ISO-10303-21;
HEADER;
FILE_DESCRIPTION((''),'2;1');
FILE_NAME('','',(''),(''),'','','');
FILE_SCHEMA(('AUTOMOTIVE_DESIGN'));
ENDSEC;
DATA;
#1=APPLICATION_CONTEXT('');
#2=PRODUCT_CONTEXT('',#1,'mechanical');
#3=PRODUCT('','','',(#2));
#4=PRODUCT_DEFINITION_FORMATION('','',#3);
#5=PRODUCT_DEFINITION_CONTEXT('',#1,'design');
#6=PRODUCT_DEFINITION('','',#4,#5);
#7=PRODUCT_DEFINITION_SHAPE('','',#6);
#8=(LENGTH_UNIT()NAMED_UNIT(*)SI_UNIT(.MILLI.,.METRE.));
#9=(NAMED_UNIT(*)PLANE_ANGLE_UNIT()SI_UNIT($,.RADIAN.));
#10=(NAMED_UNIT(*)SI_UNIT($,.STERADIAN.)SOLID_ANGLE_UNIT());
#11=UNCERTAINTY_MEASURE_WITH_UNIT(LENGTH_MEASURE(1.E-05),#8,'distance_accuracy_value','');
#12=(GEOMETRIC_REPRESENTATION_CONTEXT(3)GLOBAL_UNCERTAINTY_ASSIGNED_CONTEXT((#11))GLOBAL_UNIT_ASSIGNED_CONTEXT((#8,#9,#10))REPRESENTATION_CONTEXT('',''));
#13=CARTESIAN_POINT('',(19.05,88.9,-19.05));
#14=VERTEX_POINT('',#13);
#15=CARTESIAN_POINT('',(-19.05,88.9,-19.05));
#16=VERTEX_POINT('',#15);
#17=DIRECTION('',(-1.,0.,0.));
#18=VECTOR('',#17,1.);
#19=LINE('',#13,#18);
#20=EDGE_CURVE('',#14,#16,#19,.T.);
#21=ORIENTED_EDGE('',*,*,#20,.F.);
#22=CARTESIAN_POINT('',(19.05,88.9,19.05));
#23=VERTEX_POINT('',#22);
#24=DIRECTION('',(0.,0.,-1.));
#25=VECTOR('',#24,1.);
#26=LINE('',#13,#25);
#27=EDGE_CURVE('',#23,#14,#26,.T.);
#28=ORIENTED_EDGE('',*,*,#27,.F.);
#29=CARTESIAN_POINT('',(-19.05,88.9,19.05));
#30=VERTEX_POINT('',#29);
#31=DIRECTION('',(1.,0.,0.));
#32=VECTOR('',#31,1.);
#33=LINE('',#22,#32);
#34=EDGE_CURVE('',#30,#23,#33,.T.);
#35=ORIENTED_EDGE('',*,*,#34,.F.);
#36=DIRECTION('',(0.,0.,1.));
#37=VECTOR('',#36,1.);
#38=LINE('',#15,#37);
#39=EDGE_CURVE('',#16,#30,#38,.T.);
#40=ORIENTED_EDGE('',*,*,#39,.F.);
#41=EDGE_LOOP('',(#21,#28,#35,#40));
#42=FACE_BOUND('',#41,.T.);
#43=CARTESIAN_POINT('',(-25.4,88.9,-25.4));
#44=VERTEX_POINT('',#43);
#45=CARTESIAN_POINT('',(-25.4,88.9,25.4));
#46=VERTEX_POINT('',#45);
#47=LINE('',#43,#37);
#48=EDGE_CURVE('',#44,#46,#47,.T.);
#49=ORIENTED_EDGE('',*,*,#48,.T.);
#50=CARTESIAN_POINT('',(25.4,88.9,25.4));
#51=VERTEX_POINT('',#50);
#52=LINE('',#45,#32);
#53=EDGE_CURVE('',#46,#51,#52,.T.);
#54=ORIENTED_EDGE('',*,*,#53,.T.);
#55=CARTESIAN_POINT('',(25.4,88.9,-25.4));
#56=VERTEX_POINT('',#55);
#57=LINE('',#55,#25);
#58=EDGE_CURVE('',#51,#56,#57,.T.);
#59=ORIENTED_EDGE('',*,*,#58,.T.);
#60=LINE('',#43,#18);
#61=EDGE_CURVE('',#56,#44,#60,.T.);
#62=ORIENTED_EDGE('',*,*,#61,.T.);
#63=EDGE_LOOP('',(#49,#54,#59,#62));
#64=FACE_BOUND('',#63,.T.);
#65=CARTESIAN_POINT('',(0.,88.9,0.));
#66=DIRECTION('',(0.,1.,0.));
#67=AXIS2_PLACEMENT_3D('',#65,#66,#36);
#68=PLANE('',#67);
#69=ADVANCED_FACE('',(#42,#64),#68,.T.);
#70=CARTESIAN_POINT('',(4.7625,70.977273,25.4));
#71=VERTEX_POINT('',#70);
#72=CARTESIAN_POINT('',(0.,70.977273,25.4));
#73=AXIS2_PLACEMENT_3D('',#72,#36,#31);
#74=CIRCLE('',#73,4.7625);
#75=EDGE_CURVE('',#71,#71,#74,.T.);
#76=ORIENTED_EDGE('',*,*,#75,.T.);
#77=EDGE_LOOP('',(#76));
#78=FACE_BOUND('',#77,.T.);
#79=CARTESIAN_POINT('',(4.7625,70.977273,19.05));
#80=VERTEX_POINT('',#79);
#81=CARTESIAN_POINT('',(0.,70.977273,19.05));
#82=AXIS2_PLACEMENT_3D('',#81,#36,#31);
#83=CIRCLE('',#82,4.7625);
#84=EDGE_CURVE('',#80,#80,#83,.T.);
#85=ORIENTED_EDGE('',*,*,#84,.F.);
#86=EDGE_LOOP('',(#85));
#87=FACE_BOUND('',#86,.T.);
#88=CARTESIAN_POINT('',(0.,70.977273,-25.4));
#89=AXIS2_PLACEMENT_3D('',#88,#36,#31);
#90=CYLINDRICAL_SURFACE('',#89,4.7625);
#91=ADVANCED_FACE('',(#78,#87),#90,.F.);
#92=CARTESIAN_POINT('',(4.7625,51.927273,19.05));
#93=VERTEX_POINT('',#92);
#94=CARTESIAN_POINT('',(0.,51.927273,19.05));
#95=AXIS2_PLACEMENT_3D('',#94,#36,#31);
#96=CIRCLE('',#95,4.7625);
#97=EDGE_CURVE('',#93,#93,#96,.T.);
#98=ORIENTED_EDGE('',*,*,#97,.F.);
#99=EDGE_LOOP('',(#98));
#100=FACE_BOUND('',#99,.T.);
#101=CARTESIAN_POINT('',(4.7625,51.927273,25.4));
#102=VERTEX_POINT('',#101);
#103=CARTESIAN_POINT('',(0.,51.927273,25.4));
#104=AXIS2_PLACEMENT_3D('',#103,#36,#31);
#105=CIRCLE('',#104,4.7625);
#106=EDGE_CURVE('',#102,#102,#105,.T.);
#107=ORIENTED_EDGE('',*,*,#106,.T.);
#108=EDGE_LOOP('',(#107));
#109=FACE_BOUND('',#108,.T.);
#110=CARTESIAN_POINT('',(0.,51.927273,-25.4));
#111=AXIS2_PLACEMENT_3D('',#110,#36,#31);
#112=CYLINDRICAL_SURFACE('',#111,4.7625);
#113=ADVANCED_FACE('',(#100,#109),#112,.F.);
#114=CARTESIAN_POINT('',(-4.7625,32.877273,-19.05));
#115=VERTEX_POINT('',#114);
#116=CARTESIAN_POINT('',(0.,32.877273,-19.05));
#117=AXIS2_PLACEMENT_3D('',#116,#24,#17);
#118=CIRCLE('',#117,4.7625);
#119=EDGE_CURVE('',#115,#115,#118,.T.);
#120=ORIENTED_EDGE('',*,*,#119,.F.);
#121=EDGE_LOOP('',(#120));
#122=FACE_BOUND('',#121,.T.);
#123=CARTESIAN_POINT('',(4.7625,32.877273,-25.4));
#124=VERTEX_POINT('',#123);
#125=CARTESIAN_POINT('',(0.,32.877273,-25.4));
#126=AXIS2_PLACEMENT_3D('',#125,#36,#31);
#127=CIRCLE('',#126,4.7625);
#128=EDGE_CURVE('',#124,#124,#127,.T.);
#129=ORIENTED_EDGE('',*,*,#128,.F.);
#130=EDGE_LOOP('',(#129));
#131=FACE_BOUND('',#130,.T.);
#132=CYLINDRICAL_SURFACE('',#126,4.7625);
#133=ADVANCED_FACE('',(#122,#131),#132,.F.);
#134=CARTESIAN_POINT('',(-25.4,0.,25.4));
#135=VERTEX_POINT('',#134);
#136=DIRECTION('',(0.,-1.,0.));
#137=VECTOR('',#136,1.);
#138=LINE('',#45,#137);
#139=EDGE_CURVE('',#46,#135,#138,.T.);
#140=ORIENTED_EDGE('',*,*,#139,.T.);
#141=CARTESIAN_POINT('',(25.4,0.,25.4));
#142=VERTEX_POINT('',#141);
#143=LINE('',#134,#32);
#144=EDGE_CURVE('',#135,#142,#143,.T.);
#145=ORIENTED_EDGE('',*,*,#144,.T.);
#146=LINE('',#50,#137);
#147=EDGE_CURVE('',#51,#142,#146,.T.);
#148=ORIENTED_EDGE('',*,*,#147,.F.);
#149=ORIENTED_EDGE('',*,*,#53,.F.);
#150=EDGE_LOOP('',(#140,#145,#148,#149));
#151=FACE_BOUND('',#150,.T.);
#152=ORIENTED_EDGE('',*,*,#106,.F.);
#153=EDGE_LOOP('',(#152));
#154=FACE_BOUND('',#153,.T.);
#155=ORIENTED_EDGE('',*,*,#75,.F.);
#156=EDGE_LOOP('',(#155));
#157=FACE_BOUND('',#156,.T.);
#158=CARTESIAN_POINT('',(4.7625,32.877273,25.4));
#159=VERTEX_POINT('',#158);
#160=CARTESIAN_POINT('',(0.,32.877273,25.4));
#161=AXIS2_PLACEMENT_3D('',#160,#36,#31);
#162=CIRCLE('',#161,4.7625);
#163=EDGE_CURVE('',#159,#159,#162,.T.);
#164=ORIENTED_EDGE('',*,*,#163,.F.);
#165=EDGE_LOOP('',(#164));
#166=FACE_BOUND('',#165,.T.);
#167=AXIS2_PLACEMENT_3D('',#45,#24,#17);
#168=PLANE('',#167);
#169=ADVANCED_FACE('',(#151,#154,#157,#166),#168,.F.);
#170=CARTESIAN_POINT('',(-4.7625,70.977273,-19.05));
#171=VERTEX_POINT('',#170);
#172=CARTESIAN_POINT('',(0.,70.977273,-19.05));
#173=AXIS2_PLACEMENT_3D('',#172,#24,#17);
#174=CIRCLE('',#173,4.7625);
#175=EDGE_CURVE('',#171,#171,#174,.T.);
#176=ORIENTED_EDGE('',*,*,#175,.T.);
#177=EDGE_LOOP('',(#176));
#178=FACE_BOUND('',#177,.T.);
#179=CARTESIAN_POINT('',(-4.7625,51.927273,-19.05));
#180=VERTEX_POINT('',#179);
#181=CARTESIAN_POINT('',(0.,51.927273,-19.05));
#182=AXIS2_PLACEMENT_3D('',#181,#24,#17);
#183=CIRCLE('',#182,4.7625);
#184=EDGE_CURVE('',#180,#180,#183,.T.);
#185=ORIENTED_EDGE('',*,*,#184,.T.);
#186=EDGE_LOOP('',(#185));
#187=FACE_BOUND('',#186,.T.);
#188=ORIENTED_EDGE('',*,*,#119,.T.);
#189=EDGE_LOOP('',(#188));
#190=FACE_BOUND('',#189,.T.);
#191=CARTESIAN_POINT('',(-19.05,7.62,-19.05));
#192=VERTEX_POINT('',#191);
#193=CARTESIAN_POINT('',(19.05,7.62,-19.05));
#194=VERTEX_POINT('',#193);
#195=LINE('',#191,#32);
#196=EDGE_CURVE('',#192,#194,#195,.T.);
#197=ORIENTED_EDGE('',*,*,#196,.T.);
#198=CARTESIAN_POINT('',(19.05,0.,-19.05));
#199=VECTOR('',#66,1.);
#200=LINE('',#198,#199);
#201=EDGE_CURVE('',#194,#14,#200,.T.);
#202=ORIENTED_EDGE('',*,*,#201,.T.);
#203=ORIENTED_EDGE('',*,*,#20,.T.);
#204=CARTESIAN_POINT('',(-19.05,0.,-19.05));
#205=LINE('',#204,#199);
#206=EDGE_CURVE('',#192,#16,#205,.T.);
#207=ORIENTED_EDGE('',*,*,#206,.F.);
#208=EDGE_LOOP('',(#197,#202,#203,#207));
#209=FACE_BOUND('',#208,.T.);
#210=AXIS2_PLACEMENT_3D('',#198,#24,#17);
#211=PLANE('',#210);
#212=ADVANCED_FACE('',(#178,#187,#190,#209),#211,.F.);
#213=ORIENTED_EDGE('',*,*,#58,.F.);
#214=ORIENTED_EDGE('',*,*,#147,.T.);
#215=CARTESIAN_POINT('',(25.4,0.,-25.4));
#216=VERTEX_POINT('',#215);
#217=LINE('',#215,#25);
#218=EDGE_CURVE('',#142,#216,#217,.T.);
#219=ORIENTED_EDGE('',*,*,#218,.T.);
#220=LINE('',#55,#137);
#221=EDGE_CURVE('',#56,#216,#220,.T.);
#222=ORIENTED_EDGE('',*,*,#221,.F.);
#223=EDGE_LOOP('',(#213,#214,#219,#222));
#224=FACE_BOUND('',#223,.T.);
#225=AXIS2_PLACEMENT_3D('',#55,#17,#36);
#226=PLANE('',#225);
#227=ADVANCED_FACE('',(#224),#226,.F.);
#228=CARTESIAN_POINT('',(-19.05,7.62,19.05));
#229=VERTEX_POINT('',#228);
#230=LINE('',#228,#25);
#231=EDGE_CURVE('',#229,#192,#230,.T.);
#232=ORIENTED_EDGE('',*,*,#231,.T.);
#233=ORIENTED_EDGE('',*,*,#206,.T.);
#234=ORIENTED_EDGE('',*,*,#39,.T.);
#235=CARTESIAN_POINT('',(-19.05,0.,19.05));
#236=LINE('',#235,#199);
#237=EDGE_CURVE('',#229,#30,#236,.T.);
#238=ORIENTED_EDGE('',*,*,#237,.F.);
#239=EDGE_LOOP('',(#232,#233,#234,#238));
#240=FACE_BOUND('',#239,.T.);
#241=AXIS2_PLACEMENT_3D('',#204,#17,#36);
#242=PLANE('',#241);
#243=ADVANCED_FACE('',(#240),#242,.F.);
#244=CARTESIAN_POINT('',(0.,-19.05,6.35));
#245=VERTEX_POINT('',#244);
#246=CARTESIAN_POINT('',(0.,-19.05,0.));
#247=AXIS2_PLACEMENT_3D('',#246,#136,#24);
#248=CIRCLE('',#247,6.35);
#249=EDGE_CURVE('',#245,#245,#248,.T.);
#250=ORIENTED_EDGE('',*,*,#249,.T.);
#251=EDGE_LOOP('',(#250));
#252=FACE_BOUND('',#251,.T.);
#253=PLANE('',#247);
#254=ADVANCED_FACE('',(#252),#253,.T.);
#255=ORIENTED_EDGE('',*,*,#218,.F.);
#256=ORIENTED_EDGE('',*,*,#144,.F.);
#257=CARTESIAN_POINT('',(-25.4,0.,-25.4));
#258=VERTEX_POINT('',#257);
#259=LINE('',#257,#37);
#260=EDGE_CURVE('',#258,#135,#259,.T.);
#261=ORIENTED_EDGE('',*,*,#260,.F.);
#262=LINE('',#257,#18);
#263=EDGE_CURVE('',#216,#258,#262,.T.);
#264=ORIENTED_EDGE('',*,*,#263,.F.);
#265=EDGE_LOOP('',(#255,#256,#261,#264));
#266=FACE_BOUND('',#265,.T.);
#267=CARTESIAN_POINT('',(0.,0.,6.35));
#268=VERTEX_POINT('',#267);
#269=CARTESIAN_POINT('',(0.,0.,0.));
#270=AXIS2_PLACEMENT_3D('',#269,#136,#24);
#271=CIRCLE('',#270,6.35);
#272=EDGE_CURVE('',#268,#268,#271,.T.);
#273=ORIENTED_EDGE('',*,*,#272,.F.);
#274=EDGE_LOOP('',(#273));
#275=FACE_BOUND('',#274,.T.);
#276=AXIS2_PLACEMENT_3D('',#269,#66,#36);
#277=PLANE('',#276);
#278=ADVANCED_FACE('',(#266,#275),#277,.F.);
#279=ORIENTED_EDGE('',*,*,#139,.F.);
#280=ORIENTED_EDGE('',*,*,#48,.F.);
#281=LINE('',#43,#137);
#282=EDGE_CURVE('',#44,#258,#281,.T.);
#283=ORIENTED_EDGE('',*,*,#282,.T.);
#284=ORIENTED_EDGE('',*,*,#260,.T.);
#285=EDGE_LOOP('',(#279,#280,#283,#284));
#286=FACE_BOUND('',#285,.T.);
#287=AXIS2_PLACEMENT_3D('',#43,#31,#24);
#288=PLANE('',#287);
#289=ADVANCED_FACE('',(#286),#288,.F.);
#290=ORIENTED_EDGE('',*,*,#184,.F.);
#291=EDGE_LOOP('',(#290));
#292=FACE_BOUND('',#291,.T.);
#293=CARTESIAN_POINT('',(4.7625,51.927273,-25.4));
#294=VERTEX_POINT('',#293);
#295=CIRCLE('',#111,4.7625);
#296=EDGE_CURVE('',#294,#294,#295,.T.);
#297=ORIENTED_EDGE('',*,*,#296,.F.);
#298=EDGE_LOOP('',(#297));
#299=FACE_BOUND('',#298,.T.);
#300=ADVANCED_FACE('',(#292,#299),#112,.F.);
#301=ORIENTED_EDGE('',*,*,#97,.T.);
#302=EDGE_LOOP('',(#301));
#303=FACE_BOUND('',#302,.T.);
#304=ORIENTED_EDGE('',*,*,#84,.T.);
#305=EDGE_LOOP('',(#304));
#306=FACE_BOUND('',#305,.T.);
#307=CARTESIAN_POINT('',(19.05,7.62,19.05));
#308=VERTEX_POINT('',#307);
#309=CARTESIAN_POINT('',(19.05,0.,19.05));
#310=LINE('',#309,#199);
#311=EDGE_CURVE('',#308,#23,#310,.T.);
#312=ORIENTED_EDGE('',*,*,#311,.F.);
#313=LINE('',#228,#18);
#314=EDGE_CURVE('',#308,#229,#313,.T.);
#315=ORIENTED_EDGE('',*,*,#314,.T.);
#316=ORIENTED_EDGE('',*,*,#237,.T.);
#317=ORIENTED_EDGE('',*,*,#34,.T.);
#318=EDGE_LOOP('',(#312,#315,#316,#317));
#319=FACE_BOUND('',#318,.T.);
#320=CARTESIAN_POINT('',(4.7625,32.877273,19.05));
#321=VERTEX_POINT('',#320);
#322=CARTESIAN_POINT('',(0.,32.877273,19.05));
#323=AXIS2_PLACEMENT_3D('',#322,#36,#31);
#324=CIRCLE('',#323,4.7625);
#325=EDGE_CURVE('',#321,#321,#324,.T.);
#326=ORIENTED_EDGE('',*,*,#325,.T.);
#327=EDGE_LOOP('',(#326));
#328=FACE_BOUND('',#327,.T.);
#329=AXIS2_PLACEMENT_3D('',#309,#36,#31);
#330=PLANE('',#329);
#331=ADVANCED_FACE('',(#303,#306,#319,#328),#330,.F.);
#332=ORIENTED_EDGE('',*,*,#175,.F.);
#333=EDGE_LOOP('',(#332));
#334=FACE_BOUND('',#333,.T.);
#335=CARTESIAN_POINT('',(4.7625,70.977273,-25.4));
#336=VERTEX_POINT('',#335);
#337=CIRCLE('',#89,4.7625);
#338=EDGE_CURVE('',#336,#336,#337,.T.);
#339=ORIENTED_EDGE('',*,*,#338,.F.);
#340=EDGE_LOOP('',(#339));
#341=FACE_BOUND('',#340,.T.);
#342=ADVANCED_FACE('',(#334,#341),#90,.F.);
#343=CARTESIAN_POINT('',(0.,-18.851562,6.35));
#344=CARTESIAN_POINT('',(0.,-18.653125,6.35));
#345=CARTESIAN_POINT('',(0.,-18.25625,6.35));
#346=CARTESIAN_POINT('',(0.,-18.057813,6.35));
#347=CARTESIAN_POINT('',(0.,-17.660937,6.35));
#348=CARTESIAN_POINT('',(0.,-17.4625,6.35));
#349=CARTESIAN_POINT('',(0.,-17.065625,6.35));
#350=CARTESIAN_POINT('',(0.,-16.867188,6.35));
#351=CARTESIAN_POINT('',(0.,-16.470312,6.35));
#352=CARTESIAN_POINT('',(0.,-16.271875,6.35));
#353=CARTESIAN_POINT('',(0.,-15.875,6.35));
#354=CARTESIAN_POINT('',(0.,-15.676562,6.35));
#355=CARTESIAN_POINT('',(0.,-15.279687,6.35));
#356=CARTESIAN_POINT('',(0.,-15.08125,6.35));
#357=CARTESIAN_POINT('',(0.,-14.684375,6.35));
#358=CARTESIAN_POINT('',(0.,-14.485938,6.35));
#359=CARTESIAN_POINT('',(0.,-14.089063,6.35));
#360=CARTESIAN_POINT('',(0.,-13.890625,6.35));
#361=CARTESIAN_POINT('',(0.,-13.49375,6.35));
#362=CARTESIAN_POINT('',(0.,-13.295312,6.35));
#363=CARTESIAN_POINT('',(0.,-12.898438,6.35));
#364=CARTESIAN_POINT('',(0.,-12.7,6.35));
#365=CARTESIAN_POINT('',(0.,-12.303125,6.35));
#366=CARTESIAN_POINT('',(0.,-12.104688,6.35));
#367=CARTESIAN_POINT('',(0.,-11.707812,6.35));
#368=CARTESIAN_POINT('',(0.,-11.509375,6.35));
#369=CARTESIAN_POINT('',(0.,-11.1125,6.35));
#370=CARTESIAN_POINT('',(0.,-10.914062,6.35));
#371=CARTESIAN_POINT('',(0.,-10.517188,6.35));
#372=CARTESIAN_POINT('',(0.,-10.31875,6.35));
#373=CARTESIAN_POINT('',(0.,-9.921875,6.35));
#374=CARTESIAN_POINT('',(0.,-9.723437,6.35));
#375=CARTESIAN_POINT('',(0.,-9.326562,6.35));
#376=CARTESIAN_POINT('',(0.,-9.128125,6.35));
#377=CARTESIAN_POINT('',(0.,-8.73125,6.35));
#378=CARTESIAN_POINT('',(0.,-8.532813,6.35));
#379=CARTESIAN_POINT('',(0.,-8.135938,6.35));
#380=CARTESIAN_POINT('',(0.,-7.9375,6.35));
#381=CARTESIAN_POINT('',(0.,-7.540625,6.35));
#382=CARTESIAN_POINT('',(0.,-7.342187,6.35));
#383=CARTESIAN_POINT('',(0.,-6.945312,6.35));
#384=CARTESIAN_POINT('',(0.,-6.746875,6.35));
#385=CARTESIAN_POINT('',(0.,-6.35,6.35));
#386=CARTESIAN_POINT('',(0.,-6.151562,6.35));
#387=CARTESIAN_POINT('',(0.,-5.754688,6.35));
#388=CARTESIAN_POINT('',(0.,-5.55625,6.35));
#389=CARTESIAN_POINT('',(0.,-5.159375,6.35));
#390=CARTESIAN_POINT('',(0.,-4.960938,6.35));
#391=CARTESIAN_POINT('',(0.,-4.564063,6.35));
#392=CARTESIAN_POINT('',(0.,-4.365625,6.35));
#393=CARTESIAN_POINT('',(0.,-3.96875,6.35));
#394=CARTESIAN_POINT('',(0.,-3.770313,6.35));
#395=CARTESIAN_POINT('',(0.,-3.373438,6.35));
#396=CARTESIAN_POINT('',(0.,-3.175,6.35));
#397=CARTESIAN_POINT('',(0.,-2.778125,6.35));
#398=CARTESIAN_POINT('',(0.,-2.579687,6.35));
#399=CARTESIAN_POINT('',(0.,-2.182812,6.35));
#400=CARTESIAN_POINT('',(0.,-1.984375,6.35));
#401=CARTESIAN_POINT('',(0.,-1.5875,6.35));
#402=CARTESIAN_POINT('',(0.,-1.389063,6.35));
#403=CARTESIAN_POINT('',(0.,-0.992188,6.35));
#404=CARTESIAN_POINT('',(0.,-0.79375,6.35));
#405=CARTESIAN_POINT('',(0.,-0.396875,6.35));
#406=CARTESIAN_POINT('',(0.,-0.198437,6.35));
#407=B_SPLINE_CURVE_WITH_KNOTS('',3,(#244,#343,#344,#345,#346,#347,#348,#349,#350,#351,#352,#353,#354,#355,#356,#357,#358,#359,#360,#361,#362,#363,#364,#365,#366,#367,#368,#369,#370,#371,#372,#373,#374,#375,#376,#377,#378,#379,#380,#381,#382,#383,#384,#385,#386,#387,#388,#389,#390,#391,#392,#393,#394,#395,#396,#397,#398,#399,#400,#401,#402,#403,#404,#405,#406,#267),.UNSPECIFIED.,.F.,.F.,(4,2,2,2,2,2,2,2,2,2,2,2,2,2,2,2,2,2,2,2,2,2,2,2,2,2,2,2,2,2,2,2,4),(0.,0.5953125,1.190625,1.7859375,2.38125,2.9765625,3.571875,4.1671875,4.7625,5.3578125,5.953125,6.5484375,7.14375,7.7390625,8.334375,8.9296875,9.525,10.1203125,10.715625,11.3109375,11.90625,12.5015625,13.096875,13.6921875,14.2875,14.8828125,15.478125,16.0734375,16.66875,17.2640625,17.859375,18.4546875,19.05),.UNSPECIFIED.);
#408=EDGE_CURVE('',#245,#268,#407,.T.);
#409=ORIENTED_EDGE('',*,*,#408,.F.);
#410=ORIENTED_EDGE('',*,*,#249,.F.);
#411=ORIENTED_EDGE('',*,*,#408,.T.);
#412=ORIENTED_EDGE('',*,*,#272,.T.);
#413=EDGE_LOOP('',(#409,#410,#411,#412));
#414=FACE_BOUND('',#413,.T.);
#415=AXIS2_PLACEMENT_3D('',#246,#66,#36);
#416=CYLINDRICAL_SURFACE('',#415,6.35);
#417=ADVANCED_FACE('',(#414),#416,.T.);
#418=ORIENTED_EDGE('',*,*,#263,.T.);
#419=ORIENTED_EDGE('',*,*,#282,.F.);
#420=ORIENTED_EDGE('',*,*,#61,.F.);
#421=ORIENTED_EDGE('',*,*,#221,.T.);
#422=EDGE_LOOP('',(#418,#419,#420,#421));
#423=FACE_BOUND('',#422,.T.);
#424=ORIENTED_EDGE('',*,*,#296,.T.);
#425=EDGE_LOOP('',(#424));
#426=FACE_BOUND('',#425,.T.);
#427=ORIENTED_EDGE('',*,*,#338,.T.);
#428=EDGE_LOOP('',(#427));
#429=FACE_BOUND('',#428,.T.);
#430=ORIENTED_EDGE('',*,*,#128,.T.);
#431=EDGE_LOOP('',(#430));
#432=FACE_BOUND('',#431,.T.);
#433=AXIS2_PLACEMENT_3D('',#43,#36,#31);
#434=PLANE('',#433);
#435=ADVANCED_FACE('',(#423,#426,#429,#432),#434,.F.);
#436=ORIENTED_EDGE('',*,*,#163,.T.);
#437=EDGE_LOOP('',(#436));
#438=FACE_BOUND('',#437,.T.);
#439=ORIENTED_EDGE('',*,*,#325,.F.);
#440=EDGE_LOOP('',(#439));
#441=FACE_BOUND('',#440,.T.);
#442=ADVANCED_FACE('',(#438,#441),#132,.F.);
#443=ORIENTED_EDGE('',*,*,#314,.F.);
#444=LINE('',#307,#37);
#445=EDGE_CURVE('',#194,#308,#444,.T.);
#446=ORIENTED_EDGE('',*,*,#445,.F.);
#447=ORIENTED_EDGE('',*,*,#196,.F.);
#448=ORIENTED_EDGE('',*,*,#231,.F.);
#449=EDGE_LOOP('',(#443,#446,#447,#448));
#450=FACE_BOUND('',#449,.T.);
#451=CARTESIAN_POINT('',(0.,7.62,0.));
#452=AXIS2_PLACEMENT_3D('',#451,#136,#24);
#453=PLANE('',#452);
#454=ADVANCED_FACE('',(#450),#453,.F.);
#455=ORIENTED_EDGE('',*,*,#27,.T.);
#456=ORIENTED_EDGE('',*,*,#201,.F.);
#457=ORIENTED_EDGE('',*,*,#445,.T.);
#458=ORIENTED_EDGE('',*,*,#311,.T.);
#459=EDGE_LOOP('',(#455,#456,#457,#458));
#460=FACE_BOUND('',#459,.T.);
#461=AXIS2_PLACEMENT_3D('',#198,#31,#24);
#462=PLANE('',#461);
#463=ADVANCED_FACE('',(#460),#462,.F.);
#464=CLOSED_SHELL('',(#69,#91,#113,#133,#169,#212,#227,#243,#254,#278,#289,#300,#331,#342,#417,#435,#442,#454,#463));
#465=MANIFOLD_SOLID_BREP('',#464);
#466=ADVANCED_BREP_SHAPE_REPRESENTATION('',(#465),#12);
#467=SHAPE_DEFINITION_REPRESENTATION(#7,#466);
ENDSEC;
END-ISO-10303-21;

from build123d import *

# Parameters (mm, degrees)
SKETCH1_W           = 50.8
SKETCH1_H           = 50.8
BOSS_EXTRUDE1_DEPTH = 88.9
SKETCH2_W           = 38.1
SKETCH2_H           = 38.1
CUT_EXTRUDE1_DEPTH  = 96.882897328
SKETCH3_W           = 38.1
SKETCH3_H           = 38.1
BOSS_EXTRUDE2_DEPTH = 7.62
SKETCH4_R           = 6.35
BOSS_EXTRUDE3_DEPTH = 19.05
SKETCH6_R           = 4.7625
CUT_EXTRUDE2_DEPTH  = 106.494123059


with BuildPart() as part:
    # Sketch1 → Boss-Extrude1 (new body)
    with BuildSketch(Plane(origin=(0, 0, 0), x_dir=(1, 0, 0), z_dir=(0, 1, 0))):
        Rectangle(SKETCH1_W, SKETCH1_H)
    extrude(amount=BOSS_EXTRUDE1_DEPTH)

    # Sketch2 → Cut-Extrude1 (cut, through all)
    with BuildSketch(Plane(origin=(0, 88.9, 0), x_dir=(1, 0, 0), z_dir=(0, 1, 0))):
        Rectangle(SKETCH2_W, SKETCH2_H)
    extrude(amount=-CUT_EXTRUDE1_DEPTH, mode=Mode.SUBTRACT)

    # Sketch3 → Boss-Extrude2 (add)
    with BuildSketch(Plane(origin=(0, 0, 0), x_dir=(-1, 0, 0), z_dir=(0, -1, 0))):
        Rectangle(SKETCH3_W, SKETCH3_H)
    extrude(amount=-BOSS_EXTRUDE2_DEPTH)

    # Sketch4 → Boss-Extrude3 (add)
    with BuildSketch(Plane(origin=(0, 0, 0), x_dir=(-1, 0, 0), z_dir=(0, -1, 0))):
        with Locations(Location((0, 0, 0), (0, 0, 270))):
            Circle(SKETCH4_R)
    extrude(amount=BOSS_EXTRUDE3_DEPTH)

    # Sketch6 → Cut-Extrude2 (cut, through all)
    with BuildSketch(Plane.XY.offset(25.4)):
        with Locations((0, 70.977272932)):
            Circle(SKETCH6_R)
        with Locations((0, 51.927272932)):
            Circle(SKETCH6_R)
        with Locations((0, 32.877272932)):
            Circle(SKETCH6_R)
    extrude(amount=-CUT_EXTRUDE2_DEPTH, mode=Mode.SUBTRACT)


solid = part.part
